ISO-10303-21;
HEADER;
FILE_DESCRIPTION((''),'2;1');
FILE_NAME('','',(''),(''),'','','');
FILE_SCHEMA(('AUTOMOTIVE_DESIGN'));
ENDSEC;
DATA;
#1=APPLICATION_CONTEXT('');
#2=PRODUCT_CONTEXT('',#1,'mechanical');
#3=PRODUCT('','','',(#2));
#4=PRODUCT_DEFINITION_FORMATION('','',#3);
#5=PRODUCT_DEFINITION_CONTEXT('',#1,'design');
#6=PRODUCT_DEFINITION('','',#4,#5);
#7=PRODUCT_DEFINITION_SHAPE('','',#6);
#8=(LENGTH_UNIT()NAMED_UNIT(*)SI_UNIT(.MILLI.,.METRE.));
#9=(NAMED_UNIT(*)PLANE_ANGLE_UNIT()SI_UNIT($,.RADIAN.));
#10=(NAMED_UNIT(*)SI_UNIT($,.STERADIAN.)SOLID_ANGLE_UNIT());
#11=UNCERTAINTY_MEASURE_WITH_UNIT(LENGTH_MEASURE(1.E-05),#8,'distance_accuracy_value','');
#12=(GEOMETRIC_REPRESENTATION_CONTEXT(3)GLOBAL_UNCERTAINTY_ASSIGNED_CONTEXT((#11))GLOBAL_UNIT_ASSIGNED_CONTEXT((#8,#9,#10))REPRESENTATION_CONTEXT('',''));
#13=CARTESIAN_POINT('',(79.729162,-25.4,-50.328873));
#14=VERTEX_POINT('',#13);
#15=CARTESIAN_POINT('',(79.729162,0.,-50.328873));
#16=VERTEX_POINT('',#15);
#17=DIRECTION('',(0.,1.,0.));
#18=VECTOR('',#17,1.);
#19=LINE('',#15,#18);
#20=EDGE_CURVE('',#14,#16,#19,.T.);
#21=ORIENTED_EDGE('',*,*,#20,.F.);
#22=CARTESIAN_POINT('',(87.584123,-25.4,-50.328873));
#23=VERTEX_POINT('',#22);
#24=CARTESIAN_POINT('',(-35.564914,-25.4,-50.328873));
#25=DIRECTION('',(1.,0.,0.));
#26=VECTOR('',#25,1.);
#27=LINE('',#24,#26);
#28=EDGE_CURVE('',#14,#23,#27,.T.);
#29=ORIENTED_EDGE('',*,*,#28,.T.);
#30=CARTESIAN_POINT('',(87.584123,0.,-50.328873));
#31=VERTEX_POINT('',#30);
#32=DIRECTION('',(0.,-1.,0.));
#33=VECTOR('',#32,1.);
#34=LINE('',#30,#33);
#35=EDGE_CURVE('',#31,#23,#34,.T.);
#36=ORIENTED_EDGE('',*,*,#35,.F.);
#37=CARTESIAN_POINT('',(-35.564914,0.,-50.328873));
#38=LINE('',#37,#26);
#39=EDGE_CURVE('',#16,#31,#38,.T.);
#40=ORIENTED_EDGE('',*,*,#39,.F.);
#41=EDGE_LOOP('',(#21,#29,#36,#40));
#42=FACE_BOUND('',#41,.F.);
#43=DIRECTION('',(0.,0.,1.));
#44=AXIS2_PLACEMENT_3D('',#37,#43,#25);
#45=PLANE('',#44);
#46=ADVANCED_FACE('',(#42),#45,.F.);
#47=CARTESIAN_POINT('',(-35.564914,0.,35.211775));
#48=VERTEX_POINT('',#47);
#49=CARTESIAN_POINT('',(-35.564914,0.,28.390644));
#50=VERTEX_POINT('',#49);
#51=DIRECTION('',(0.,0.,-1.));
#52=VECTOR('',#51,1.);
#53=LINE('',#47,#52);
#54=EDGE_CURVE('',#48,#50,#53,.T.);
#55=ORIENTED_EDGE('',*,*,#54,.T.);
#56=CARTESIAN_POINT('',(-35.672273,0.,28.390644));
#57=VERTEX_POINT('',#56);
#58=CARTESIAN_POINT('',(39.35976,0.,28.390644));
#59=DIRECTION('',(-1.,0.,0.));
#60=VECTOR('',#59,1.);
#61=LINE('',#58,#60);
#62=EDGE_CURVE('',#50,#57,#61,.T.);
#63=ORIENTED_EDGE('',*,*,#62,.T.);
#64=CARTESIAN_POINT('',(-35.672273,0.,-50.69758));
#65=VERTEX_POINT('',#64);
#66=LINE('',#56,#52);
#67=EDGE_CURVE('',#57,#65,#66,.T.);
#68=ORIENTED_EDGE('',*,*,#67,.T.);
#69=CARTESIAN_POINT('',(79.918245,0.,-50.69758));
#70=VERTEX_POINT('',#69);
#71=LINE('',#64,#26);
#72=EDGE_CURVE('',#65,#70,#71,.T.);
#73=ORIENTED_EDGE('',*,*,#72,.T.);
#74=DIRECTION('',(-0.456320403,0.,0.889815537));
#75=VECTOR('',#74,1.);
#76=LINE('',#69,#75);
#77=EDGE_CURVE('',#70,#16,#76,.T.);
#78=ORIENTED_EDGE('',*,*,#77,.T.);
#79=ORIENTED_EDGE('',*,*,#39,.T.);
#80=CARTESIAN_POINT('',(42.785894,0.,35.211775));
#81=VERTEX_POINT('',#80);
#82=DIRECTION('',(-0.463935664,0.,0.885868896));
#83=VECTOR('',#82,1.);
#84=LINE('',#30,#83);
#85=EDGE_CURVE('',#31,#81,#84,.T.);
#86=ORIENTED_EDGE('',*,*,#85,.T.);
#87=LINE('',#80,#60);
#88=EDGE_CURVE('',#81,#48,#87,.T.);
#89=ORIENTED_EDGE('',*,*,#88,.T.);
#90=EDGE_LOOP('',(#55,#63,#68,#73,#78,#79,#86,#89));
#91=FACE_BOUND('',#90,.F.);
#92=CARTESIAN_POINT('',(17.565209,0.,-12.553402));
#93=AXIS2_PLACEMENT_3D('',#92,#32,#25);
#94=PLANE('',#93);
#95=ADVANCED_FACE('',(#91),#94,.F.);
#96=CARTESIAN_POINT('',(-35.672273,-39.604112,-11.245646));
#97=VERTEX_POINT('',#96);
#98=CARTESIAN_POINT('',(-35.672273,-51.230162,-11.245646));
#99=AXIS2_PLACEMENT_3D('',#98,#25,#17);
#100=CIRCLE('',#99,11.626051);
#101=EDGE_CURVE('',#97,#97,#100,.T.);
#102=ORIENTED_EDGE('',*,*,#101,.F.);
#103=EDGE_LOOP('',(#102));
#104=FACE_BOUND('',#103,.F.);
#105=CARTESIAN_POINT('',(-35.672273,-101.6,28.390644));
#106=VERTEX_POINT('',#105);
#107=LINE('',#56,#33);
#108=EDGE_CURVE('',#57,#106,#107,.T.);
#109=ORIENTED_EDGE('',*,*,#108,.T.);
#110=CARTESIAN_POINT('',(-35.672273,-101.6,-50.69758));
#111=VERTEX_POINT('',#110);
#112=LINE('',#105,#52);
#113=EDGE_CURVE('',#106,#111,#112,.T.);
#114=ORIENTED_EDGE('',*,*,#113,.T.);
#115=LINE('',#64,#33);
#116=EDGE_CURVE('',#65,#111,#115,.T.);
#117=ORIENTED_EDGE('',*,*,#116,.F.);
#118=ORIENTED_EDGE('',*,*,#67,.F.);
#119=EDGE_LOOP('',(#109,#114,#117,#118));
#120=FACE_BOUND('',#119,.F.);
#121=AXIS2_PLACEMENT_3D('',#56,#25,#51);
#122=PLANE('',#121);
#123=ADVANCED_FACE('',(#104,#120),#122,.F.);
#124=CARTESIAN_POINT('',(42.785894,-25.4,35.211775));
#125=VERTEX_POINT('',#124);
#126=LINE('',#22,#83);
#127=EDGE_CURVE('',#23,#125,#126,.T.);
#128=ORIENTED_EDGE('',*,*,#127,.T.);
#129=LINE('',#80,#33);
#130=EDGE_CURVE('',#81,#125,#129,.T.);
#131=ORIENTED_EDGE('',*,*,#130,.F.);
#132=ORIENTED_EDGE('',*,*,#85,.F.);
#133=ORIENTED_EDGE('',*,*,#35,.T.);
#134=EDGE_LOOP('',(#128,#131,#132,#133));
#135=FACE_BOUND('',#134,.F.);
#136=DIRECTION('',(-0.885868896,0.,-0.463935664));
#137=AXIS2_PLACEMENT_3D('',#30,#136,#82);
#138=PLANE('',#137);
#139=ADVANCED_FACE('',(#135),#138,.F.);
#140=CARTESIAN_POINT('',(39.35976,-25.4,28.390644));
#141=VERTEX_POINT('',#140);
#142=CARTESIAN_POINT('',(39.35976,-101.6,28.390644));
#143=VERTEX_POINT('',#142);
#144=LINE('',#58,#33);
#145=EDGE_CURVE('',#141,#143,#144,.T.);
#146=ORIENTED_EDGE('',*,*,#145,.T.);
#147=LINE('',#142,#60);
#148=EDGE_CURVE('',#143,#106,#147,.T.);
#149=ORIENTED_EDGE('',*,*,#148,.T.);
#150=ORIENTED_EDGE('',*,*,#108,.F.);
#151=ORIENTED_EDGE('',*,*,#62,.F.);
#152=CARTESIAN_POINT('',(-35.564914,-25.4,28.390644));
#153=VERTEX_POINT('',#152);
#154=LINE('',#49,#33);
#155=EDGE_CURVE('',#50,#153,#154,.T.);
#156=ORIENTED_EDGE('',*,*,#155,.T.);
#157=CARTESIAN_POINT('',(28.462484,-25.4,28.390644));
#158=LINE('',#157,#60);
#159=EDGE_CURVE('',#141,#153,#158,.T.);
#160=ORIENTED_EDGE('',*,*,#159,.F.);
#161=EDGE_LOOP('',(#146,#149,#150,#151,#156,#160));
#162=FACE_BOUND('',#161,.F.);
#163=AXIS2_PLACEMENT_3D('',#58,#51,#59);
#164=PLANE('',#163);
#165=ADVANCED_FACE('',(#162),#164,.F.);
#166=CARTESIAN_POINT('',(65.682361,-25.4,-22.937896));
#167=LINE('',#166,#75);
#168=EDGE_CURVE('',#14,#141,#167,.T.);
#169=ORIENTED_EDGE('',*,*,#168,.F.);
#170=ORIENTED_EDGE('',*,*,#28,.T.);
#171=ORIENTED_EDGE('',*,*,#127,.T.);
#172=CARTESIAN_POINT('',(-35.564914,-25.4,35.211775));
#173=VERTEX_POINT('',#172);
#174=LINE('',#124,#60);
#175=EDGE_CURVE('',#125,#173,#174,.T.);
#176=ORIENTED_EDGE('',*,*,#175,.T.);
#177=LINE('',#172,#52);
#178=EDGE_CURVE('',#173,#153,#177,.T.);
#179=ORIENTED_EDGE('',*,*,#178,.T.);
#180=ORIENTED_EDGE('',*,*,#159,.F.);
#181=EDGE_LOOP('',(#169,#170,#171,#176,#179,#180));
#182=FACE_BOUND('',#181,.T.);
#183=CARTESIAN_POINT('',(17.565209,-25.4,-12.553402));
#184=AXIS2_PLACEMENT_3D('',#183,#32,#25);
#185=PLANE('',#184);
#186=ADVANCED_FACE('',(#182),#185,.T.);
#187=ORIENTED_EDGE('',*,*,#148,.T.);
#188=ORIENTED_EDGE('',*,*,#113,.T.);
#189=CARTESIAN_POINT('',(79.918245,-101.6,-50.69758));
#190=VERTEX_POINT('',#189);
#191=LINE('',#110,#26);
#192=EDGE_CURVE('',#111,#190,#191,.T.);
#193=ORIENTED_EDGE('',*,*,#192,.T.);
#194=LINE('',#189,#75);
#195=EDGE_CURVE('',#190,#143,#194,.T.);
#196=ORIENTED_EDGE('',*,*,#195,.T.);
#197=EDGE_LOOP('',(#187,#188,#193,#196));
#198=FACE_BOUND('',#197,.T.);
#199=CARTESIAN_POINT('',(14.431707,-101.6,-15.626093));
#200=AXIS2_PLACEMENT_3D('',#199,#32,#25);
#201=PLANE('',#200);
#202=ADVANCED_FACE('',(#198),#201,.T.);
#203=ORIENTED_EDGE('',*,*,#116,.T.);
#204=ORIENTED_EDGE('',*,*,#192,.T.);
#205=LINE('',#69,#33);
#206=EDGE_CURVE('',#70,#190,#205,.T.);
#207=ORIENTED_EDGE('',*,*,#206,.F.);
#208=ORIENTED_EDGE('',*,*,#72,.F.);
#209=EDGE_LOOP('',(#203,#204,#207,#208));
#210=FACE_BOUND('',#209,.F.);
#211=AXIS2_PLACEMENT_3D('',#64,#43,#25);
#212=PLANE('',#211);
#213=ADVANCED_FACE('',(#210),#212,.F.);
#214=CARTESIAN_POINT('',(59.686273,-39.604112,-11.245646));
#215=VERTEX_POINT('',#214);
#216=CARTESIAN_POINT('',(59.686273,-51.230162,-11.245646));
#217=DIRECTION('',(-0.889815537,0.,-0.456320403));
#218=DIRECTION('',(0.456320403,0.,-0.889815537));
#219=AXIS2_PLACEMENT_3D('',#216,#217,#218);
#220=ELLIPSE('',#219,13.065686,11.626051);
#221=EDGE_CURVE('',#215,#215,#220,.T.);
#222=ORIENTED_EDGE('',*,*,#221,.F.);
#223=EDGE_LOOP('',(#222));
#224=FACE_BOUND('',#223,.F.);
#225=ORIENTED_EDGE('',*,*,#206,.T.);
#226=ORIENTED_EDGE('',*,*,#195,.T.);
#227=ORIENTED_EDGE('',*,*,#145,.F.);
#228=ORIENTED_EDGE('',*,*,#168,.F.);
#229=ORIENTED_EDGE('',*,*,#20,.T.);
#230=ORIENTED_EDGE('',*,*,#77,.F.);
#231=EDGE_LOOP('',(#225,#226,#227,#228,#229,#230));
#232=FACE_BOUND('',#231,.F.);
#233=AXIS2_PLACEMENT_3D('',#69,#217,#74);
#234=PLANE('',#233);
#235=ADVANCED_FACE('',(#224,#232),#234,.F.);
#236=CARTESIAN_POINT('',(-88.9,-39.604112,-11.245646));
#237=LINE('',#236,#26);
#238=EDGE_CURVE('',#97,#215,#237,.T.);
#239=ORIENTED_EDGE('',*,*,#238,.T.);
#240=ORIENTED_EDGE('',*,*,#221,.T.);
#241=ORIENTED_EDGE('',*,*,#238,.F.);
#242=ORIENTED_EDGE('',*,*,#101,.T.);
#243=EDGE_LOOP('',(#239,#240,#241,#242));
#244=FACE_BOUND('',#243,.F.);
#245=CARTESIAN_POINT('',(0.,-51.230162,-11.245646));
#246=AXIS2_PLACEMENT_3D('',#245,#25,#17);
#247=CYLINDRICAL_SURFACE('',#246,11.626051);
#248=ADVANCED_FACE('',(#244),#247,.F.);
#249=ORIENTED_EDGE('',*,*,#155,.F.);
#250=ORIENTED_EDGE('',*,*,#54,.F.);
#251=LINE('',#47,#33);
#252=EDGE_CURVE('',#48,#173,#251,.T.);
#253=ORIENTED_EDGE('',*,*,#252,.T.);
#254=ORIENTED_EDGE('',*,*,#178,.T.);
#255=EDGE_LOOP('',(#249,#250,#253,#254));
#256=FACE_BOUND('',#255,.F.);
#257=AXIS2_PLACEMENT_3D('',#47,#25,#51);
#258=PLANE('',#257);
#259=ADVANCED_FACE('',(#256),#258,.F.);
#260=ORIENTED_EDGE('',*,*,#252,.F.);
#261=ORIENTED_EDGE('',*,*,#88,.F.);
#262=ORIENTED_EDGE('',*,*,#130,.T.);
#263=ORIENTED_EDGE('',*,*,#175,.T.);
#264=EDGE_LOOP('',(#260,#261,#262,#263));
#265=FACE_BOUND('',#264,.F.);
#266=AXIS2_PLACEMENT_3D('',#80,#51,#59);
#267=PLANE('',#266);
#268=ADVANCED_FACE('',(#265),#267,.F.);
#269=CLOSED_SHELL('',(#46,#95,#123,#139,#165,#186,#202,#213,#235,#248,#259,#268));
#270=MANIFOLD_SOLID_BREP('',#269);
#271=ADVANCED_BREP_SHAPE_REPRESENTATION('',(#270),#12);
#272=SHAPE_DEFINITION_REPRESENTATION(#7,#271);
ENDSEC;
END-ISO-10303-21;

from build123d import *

# Parameters (mm, degrees)
F1_DEPTH = 101.6
F2_R     = 11.6260505805
F3_DEPTH = 88.9
F5_DEPTH = 25.4


with BuildPart() as f1:
    # F0 (on Front) → F1 (new body)
    with BuildSketch(Plane.XZ):
        Polygon((39.3597595394, 28.3906441182), (-35.6722733648, 28.3906441182), (-35.6722733648, -50.6975799799), (39.3597595394, -50.6975799799), (79.9182447382, -50.6975799799), align=None)
    extrude(amount=F1_DEPTH)

    # F2 (on Right) → F3 (cut, symmetric)
    with BuildSketch(Plane.YZ):
        with Locations((-51.2301623821, -11.2456455827)):
            Circle(F2_R)
    extrude(amount=F3_DEPTH, both=True, mode=Mode.SUBTRACT)

    # F4 (on Front) → F5 (join)
    with BuildSketch(Plane.XZ):
        Polygon((-35.5649143457, 35.2117754519), (-35.5649143457, -50.3288730979), (87.5841230154, -50.3288730979), (42.7858941257, 35.2117754519), align=None)
    extrude(amount=F5_DEPTH)


solid = f1.part
